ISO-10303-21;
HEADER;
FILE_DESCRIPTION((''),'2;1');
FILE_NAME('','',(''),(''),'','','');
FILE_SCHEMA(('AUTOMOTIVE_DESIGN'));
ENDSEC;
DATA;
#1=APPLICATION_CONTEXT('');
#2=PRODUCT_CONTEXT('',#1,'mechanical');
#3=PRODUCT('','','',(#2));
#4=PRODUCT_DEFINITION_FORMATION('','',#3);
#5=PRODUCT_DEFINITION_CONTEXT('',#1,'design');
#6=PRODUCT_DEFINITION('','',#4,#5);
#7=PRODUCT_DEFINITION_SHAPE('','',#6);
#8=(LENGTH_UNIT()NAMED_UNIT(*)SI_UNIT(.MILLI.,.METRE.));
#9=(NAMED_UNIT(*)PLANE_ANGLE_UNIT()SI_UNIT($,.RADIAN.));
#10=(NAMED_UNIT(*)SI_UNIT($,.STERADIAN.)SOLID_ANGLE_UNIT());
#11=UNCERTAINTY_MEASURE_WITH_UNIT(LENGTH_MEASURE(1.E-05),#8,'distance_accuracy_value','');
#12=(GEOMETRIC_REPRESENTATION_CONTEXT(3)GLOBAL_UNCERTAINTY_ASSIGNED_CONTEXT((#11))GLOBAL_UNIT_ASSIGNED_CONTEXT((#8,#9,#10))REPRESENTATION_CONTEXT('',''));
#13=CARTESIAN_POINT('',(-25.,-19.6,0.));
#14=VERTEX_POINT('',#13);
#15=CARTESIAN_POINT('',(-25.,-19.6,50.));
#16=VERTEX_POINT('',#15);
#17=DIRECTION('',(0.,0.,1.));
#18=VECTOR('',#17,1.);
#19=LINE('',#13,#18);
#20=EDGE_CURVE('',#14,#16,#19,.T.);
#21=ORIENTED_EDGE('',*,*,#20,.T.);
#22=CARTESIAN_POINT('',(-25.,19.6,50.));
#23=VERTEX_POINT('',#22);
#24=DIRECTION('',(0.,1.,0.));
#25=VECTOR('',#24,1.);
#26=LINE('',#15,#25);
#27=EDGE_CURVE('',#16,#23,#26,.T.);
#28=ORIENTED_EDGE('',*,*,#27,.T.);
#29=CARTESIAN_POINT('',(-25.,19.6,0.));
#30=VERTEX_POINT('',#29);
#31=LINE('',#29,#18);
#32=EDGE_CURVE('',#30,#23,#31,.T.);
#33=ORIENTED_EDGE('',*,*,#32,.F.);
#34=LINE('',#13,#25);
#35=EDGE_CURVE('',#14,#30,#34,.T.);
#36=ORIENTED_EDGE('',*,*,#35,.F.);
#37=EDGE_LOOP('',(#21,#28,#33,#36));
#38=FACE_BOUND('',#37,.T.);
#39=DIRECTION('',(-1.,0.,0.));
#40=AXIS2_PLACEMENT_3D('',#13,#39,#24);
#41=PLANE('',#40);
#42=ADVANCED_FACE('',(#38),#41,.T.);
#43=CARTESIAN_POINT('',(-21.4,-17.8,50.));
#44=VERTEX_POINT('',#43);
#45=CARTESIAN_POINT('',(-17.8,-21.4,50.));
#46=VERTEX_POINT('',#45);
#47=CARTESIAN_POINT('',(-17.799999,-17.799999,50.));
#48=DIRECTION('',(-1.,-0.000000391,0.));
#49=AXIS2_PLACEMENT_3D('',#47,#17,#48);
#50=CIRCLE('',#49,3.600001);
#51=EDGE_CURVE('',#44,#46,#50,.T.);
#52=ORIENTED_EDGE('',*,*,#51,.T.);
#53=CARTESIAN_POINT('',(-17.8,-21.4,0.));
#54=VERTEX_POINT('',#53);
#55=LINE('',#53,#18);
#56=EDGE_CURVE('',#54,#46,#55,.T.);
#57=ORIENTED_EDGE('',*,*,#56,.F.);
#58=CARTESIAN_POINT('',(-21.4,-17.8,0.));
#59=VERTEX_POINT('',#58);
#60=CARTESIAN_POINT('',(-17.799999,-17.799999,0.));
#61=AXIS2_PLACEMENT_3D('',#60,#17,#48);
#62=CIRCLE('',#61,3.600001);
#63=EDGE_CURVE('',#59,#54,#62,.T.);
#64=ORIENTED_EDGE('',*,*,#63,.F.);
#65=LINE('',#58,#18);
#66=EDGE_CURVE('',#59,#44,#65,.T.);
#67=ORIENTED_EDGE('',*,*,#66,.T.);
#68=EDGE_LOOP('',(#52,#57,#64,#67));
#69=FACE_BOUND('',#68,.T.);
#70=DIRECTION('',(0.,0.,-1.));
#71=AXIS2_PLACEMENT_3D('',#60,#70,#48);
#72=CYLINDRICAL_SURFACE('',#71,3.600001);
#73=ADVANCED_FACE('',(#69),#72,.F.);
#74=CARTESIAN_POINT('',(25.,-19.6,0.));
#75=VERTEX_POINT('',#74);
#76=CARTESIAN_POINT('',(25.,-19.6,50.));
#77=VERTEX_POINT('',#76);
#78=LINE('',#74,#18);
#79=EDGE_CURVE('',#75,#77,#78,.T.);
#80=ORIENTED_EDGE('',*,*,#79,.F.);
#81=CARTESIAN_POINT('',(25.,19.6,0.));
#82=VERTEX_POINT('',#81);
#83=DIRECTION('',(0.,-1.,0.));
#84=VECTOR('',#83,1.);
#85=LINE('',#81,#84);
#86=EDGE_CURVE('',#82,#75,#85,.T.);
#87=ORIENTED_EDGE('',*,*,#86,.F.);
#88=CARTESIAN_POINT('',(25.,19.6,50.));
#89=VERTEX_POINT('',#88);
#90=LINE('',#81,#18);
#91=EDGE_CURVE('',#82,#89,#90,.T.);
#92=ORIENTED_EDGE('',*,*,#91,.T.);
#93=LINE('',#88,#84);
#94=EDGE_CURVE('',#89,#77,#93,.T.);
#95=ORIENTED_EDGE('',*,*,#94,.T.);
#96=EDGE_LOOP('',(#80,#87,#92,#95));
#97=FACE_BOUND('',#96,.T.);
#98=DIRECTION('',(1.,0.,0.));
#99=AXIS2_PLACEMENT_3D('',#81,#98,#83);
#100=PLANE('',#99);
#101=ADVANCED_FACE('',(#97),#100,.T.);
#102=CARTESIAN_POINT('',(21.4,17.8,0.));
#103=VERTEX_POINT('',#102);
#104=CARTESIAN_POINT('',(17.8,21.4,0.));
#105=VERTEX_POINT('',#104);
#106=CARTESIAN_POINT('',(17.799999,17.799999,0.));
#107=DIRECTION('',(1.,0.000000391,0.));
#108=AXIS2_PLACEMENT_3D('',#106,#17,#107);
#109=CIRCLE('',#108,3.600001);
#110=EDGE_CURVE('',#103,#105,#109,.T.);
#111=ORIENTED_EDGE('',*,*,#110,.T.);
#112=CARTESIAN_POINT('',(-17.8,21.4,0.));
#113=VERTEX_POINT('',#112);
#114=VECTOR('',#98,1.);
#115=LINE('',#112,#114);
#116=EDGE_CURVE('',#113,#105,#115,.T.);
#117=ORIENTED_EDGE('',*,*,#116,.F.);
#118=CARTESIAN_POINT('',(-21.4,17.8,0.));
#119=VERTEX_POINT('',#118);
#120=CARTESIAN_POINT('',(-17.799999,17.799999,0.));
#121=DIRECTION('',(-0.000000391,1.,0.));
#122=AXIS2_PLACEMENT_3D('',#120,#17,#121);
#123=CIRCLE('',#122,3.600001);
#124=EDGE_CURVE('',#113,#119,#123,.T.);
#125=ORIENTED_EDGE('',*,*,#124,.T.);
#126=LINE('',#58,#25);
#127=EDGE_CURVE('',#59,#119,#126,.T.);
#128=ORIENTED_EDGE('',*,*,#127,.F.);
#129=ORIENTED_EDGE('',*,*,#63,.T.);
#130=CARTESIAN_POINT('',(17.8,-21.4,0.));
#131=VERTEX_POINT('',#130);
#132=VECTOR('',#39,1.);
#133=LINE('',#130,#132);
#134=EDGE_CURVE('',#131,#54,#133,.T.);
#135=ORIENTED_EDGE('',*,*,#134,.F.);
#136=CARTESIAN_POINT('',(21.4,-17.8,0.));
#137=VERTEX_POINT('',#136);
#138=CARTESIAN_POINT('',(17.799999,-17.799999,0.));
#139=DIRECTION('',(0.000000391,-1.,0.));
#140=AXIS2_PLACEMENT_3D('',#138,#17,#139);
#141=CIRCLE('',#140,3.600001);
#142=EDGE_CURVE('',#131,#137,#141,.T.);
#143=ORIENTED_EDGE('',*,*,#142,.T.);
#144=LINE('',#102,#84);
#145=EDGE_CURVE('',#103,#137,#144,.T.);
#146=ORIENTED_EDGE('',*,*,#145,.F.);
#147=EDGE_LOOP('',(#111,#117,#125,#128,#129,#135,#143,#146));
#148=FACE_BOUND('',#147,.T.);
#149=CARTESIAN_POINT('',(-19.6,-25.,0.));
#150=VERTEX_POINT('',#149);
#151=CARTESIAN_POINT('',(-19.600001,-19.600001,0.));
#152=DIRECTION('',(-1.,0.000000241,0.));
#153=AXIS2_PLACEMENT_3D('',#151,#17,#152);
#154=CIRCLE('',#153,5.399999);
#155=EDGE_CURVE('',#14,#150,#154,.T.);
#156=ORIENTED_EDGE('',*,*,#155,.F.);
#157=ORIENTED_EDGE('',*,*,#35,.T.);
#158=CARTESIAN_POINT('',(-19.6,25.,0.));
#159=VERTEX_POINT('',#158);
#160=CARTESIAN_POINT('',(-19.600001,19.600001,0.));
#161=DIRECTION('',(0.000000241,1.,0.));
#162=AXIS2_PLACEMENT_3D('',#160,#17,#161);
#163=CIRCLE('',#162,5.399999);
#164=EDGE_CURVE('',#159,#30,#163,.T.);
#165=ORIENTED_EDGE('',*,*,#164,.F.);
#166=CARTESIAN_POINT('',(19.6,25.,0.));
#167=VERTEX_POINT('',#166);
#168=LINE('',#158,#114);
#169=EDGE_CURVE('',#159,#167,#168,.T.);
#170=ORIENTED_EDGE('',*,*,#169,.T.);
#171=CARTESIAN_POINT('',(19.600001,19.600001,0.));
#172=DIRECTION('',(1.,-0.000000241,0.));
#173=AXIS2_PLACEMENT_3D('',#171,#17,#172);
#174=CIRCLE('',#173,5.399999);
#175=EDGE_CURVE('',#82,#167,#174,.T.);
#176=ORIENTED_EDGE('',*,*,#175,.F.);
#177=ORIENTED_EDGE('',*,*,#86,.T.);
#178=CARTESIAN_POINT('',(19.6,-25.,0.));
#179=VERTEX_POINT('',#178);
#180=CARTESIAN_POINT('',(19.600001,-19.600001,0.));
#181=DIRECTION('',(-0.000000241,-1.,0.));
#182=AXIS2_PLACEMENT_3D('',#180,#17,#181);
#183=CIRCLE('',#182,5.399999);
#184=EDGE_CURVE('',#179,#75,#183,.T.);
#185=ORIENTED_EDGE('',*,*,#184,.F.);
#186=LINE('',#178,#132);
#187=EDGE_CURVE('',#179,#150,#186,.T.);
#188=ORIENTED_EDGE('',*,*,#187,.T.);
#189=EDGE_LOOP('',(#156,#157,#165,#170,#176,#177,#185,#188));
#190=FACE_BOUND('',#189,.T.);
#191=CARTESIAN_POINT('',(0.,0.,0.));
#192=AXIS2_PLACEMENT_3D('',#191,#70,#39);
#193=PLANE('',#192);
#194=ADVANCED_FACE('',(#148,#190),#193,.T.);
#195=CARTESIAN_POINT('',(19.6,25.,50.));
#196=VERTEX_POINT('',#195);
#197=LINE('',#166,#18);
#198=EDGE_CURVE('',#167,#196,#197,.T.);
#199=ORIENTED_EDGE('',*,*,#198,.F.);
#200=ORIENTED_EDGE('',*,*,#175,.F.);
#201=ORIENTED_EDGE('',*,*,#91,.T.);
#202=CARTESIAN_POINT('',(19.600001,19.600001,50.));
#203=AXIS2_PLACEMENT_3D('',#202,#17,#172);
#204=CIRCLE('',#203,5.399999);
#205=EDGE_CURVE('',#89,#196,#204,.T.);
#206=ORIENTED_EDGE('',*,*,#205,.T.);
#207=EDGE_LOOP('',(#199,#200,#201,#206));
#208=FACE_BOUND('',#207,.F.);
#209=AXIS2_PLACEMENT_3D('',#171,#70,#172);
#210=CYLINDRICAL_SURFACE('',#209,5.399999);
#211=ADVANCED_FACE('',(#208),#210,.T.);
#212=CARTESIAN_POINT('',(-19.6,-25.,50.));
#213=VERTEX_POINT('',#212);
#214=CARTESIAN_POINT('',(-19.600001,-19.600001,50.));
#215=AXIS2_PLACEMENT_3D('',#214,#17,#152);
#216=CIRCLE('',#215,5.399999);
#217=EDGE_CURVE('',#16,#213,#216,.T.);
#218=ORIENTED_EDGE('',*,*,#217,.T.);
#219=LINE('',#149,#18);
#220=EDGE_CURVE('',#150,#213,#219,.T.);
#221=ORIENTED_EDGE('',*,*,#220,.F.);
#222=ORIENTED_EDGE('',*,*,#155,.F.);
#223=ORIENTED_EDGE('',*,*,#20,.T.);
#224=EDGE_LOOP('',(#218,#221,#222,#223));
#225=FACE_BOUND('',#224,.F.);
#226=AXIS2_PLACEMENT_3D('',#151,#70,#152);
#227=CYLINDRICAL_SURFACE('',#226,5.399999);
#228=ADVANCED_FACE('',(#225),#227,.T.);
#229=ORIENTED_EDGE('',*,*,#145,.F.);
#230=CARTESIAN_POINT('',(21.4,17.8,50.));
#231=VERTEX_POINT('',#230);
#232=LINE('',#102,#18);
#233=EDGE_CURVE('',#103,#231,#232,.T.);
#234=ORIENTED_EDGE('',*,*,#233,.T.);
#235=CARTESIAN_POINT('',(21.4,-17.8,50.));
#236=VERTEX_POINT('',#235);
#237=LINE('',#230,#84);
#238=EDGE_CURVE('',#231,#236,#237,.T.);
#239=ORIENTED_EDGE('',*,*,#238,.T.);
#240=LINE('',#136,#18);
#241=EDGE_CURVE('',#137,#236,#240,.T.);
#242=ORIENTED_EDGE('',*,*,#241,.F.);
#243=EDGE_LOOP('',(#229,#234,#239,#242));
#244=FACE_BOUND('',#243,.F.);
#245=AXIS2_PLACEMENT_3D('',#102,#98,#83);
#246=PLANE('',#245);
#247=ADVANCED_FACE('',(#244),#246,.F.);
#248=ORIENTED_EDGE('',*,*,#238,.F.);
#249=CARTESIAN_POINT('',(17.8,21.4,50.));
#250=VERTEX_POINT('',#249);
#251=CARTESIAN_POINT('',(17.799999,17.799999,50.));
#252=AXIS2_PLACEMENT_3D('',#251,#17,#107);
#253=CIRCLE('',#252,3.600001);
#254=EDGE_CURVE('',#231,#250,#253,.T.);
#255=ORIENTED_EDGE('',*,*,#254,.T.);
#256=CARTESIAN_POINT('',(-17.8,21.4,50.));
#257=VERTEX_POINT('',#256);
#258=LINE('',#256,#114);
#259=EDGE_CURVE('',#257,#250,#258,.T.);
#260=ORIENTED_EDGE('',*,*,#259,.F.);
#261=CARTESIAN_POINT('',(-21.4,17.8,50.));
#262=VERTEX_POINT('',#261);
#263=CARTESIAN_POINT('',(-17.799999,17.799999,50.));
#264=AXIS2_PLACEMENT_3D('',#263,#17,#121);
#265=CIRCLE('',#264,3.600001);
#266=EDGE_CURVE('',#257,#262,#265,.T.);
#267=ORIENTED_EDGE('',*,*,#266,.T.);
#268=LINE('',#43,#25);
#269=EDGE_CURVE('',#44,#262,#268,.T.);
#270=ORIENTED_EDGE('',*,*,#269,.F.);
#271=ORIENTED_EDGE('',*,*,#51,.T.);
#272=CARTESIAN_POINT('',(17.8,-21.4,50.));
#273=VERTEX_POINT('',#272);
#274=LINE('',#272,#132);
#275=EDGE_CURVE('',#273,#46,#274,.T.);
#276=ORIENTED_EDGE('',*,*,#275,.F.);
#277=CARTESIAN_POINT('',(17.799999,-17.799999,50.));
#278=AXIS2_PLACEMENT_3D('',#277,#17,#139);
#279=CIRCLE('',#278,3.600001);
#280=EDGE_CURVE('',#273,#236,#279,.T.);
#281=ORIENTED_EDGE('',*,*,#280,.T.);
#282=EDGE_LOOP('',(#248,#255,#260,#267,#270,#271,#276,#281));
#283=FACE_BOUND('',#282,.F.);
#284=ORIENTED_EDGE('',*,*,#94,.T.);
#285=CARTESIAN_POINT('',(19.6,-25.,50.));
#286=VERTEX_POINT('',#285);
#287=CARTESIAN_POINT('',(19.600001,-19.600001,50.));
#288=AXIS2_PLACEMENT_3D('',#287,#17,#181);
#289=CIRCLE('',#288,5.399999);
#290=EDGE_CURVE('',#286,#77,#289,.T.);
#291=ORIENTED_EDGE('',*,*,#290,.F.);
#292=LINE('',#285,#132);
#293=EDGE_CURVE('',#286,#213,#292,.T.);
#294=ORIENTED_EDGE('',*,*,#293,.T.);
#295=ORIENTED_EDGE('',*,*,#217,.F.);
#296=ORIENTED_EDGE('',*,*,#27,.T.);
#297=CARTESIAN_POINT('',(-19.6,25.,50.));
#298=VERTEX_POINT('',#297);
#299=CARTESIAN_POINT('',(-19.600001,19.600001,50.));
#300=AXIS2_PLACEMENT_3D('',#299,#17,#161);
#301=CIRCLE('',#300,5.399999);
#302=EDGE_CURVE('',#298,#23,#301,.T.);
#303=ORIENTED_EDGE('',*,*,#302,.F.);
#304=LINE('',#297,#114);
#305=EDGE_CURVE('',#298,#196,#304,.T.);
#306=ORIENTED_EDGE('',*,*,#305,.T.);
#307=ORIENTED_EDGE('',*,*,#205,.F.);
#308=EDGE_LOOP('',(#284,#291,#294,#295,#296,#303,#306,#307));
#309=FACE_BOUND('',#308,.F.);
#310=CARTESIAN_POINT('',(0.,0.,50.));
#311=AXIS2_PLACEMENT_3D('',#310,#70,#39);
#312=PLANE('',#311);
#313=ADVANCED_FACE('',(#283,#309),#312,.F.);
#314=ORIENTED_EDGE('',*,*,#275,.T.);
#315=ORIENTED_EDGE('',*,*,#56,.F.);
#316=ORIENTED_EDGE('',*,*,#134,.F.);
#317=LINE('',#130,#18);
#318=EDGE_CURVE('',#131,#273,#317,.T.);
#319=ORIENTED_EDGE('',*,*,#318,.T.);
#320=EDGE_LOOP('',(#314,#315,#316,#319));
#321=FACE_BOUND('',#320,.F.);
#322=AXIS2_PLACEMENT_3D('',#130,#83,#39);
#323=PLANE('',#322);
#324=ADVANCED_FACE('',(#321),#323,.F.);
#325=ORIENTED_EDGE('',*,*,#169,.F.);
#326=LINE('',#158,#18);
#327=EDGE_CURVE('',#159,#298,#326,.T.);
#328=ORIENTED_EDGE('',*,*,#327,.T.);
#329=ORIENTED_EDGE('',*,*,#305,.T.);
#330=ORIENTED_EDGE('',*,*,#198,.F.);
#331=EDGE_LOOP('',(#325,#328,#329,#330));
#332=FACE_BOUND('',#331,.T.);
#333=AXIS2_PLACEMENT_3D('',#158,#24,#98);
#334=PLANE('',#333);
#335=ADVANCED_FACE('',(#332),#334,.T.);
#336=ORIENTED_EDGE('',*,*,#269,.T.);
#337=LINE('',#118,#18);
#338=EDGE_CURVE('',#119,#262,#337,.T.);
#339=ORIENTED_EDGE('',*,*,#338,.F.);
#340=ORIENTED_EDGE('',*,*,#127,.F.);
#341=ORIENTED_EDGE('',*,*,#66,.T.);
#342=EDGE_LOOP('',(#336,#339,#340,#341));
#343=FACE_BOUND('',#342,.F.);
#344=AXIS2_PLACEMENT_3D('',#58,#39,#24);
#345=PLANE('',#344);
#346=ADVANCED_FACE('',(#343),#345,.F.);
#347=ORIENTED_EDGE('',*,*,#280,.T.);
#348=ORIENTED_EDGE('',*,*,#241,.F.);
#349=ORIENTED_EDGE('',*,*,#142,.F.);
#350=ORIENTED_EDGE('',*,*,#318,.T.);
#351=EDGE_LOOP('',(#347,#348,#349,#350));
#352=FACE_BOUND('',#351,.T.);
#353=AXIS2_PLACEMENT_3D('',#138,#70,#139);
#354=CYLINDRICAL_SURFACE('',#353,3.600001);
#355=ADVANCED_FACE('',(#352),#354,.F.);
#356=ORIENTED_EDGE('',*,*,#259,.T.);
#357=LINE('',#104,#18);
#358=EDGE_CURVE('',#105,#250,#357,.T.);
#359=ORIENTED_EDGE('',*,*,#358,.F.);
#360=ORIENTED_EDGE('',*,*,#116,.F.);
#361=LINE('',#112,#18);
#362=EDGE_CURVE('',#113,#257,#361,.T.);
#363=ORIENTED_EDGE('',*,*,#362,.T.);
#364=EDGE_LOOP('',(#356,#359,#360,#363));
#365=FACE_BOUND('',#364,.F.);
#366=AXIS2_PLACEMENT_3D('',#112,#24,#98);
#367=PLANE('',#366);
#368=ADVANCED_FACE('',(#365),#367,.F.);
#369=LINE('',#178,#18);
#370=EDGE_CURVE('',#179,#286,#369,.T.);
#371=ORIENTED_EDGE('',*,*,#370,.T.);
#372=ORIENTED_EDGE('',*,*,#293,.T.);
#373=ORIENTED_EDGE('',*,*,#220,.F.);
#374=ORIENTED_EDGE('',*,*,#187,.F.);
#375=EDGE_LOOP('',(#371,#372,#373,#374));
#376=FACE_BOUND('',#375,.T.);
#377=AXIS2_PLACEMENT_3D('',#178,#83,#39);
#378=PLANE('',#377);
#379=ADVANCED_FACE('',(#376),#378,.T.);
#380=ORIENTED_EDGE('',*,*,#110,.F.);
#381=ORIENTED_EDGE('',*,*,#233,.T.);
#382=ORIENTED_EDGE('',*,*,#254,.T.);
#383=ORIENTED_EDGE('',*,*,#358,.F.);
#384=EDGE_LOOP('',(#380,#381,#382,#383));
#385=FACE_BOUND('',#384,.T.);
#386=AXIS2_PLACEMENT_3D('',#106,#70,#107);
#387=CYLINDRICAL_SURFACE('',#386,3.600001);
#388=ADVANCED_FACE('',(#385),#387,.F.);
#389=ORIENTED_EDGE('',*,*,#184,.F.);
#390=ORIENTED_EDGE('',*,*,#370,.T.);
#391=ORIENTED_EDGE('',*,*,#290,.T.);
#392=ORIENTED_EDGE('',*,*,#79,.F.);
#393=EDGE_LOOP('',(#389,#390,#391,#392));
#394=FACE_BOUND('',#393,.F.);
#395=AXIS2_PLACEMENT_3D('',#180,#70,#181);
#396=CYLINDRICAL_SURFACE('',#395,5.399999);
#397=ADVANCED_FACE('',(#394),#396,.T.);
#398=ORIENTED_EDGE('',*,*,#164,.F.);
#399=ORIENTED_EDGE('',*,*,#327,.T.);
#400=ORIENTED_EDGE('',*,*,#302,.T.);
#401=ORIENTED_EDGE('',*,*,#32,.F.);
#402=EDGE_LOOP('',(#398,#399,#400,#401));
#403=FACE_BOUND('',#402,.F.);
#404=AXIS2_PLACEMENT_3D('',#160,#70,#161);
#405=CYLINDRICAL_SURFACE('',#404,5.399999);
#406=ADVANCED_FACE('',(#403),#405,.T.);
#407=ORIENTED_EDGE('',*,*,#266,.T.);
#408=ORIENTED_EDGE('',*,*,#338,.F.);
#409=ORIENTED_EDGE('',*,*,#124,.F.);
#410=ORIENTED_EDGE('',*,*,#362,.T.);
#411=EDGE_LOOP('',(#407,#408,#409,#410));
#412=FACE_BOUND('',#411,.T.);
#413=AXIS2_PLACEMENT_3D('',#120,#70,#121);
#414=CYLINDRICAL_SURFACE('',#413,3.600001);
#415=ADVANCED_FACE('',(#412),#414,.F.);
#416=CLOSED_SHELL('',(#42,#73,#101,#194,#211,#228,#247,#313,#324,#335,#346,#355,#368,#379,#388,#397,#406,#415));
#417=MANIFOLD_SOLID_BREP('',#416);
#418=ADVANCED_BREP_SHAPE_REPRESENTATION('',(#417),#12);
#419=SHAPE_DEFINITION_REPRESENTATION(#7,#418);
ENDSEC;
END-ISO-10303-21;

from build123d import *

# Parameters (mm, degrees)
EXTRUDE_DEPTH = 50


with BuildPart() as part:
    # Sketch → Extrude (new body)
    with BuildSketch(Plane.XY):
        with BuildLine():
            Line((-19.6, 25), (19.6, 25))
            ThreePointArc((25, 19.6), (23.418377, 23.418377), (19.6, 25))
            Line((25, 19.6), (25, -19.6))
            ThreePointArc((19.6, -25), (23.418377, -23.418377), (25, -19.6))
            Line((19.6, -25), (-19.6, -25))
            ThreePointArc((-25, -19.6), (-23.418377, -23.418377), (-19.6, -25))
            Line((-25, -19.6), (-25, 19.6))
            ThreePointArc((-19.6, 25), (-23.418377, 23.418377), (-25, 19.6))
        make_face()
        with BuildLine():
            Line((-17.8, 21.4), (17.8, 21.4))
            ThreePointArc((21.4, 17.8), (20.345584, 20.345584), (17.8, 21.4))
            Line((21.4, 17.8), (21.4, -17.8))
            ThreePointArc((17.8, -21.4), (20.345584, -20.345584), (21.4, -17.8))
            Line((17.8, -21.4), (-17.8, -21.4))
            ThreePointArc((-21.4, -17.8), (-20.345584, -20.345584), (-17.8, -21.4))
            Line((-21.4, -17.8), (-21.4, 17.8))
            ThreePointArc((-17.8, 21.4), (-20.345584, 20.345584), (-21.4, 17.8))
        make_face(mode=Mode.SUBTRACT)
    extrude(amount=EXTRUDE_DEPTH)


solid = part.part
